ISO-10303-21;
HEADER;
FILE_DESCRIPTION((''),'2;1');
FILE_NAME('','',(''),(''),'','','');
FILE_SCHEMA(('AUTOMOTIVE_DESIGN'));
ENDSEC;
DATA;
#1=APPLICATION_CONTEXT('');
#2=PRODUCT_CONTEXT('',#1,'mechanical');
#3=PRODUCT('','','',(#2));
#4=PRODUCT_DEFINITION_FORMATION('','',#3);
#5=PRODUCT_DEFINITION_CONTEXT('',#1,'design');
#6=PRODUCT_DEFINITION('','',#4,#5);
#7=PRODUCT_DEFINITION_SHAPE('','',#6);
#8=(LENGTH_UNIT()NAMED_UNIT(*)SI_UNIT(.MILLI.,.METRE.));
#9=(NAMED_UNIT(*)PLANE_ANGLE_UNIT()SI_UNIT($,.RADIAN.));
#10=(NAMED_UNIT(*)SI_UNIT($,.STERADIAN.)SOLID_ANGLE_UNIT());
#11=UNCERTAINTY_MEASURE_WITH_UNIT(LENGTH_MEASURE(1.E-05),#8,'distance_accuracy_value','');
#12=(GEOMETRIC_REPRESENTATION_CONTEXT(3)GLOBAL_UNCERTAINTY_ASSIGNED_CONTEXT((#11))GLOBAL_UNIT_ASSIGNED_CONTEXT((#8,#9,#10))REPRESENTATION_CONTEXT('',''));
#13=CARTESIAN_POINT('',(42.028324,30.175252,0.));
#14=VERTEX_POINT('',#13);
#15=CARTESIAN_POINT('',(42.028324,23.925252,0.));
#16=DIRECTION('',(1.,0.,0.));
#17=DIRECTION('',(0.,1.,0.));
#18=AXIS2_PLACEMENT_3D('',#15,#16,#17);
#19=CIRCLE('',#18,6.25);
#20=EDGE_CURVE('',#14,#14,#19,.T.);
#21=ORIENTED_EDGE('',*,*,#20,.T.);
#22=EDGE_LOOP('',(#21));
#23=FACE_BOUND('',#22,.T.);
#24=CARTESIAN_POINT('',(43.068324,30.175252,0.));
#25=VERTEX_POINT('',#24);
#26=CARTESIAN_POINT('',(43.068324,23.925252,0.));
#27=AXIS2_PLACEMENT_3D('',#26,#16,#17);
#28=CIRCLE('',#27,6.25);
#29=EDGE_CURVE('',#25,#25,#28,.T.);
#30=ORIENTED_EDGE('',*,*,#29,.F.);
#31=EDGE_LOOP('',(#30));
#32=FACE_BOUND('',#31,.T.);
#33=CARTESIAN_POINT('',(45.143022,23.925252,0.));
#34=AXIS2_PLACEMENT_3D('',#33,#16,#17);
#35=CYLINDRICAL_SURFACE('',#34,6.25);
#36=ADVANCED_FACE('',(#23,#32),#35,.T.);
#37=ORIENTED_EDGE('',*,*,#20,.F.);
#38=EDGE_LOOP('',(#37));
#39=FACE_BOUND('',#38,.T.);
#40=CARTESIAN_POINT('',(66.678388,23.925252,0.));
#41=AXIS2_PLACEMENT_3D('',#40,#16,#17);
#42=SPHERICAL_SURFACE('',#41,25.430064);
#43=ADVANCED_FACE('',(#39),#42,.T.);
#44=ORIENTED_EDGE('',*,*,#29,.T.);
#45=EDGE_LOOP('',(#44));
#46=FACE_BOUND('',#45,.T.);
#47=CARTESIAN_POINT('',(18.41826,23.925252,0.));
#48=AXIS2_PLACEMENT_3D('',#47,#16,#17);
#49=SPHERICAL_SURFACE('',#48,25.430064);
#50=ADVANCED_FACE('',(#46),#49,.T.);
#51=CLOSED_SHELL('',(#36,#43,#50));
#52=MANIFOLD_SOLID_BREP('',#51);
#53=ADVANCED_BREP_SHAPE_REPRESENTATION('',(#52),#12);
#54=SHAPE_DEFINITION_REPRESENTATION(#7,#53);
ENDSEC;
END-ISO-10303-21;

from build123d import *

# Parameters (mm, degrees)
SKETCH_2_ONE_SIDE_W = 1.04
SKETCH_2_ONE_SIDE_H = 6.25


with BuildPart() as part:
    # 草图2 one side → 旋转1 (revolve)
    with BuildSketch(Plane.XY, mode=Mode.PRIVATE) as revolve_1_sk:
        with Locations((42.548323708, 20.800252472)):
            Rectangle(SKETCH_2_ONE_SIDE_W, SKETCH_2_ONE_SIDE_H)
        with BuildLine():
            ThreePointArc((41.248323708, 23.925252472), (41.444077135, 20.7760105), (42.028323708, 17.675252472))
            Line((42.028323708, 17.675252472), (42.028323708, 23.925252472))
            Line((42.028323708, 23.925252472), (41.248323708, 23.925252472))
        make_face()
        with BuildLine():
            Line((43.068323708, 23.925252472), (43.068323708, 17.675252472))
            ThreePointArc((43.068323708, 17.675252472), (43.652570281, 20.7760105), (43.848323708, 23.925252472))
            Line((43.848323708, 23.925252472), (43.068323708, 23.925252472))
        make_face()
    revolve(revolve_1_sk.sketch.rotate(Axis((45.14302204, 23.925252472, 0), (-1, 0, 0)), 180), axis=Axis((45.14302204, 23.925252472, 0), (-1, 0, 0)))  # turned: the seam where the file's is


solid = part.part
